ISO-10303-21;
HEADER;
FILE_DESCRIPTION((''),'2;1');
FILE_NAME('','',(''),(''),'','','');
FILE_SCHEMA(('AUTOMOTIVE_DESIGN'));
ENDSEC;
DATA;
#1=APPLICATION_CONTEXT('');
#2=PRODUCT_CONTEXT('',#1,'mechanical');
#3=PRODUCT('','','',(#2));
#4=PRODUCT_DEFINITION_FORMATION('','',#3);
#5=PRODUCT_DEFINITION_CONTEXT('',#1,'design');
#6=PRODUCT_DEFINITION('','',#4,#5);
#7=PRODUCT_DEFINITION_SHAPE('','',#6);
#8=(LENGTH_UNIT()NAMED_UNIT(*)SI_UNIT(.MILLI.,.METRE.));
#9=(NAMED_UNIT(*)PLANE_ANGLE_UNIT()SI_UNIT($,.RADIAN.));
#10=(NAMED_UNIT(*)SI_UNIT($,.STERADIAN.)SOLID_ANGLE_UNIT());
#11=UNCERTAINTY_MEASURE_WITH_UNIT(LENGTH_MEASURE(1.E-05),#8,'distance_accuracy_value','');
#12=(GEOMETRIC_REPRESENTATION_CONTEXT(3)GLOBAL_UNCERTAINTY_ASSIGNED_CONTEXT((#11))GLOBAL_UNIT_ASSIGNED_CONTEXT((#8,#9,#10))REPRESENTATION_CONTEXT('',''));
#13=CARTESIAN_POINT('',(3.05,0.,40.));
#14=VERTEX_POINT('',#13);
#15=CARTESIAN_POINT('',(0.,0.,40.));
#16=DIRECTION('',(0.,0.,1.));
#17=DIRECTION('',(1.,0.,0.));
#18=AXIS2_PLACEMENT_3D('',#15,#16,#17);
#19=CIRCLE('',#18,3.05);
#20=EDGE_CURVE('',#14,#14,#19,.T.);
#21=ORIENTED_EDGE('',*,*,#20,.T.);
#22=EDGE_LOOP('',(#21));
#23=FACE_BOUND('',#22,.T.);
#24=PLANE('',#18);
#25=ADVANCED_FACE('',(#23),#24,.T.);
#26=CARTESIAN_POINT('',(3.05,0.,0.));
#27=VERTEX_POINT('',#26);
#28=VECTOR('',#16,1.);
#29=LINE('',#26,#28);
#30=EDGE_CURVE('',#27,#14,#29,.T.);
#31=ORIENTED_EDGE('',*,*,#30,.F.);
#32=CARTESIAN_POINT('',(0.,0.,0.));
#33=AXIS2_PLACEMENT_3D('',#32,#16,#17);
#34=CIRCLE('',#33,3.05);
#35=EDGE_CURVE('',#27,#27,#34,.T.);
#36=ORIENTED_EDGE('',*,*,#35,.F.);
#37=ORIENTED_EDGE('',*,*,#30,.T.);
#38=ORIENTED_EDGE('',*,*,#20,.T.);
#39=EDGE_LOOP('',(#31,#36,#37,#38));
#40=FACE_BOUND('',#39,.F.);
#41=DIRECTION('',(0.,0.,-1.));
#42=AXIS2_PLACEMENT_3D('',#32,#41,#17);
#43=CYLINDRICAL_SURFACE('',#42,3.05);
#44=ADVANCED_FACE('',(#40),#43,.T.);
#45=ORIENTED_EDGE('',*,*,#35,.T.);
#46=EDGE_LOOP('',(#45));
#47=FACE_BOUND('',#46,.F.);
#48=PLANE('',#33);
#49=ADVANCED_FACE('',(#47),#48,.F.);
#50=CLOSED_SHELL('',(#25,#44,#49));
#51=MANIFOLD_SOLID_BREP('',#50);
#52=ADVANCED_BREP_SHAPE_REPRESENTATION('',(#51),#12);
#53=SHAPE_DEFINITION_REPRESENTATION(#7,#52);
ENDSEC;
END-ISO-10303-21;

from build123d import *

# Parameters (mm, degrees)
SKETCH_R  = 3.05
PAD_DEPTH = 40


with BuildPart() as part:
    # Sketch → Pad (new body)
    with BuildSketch(Plane.XY):
        Circle(SKETCH_R)
    extrude(amount=PAD_DEPTH)


solid = part.part
